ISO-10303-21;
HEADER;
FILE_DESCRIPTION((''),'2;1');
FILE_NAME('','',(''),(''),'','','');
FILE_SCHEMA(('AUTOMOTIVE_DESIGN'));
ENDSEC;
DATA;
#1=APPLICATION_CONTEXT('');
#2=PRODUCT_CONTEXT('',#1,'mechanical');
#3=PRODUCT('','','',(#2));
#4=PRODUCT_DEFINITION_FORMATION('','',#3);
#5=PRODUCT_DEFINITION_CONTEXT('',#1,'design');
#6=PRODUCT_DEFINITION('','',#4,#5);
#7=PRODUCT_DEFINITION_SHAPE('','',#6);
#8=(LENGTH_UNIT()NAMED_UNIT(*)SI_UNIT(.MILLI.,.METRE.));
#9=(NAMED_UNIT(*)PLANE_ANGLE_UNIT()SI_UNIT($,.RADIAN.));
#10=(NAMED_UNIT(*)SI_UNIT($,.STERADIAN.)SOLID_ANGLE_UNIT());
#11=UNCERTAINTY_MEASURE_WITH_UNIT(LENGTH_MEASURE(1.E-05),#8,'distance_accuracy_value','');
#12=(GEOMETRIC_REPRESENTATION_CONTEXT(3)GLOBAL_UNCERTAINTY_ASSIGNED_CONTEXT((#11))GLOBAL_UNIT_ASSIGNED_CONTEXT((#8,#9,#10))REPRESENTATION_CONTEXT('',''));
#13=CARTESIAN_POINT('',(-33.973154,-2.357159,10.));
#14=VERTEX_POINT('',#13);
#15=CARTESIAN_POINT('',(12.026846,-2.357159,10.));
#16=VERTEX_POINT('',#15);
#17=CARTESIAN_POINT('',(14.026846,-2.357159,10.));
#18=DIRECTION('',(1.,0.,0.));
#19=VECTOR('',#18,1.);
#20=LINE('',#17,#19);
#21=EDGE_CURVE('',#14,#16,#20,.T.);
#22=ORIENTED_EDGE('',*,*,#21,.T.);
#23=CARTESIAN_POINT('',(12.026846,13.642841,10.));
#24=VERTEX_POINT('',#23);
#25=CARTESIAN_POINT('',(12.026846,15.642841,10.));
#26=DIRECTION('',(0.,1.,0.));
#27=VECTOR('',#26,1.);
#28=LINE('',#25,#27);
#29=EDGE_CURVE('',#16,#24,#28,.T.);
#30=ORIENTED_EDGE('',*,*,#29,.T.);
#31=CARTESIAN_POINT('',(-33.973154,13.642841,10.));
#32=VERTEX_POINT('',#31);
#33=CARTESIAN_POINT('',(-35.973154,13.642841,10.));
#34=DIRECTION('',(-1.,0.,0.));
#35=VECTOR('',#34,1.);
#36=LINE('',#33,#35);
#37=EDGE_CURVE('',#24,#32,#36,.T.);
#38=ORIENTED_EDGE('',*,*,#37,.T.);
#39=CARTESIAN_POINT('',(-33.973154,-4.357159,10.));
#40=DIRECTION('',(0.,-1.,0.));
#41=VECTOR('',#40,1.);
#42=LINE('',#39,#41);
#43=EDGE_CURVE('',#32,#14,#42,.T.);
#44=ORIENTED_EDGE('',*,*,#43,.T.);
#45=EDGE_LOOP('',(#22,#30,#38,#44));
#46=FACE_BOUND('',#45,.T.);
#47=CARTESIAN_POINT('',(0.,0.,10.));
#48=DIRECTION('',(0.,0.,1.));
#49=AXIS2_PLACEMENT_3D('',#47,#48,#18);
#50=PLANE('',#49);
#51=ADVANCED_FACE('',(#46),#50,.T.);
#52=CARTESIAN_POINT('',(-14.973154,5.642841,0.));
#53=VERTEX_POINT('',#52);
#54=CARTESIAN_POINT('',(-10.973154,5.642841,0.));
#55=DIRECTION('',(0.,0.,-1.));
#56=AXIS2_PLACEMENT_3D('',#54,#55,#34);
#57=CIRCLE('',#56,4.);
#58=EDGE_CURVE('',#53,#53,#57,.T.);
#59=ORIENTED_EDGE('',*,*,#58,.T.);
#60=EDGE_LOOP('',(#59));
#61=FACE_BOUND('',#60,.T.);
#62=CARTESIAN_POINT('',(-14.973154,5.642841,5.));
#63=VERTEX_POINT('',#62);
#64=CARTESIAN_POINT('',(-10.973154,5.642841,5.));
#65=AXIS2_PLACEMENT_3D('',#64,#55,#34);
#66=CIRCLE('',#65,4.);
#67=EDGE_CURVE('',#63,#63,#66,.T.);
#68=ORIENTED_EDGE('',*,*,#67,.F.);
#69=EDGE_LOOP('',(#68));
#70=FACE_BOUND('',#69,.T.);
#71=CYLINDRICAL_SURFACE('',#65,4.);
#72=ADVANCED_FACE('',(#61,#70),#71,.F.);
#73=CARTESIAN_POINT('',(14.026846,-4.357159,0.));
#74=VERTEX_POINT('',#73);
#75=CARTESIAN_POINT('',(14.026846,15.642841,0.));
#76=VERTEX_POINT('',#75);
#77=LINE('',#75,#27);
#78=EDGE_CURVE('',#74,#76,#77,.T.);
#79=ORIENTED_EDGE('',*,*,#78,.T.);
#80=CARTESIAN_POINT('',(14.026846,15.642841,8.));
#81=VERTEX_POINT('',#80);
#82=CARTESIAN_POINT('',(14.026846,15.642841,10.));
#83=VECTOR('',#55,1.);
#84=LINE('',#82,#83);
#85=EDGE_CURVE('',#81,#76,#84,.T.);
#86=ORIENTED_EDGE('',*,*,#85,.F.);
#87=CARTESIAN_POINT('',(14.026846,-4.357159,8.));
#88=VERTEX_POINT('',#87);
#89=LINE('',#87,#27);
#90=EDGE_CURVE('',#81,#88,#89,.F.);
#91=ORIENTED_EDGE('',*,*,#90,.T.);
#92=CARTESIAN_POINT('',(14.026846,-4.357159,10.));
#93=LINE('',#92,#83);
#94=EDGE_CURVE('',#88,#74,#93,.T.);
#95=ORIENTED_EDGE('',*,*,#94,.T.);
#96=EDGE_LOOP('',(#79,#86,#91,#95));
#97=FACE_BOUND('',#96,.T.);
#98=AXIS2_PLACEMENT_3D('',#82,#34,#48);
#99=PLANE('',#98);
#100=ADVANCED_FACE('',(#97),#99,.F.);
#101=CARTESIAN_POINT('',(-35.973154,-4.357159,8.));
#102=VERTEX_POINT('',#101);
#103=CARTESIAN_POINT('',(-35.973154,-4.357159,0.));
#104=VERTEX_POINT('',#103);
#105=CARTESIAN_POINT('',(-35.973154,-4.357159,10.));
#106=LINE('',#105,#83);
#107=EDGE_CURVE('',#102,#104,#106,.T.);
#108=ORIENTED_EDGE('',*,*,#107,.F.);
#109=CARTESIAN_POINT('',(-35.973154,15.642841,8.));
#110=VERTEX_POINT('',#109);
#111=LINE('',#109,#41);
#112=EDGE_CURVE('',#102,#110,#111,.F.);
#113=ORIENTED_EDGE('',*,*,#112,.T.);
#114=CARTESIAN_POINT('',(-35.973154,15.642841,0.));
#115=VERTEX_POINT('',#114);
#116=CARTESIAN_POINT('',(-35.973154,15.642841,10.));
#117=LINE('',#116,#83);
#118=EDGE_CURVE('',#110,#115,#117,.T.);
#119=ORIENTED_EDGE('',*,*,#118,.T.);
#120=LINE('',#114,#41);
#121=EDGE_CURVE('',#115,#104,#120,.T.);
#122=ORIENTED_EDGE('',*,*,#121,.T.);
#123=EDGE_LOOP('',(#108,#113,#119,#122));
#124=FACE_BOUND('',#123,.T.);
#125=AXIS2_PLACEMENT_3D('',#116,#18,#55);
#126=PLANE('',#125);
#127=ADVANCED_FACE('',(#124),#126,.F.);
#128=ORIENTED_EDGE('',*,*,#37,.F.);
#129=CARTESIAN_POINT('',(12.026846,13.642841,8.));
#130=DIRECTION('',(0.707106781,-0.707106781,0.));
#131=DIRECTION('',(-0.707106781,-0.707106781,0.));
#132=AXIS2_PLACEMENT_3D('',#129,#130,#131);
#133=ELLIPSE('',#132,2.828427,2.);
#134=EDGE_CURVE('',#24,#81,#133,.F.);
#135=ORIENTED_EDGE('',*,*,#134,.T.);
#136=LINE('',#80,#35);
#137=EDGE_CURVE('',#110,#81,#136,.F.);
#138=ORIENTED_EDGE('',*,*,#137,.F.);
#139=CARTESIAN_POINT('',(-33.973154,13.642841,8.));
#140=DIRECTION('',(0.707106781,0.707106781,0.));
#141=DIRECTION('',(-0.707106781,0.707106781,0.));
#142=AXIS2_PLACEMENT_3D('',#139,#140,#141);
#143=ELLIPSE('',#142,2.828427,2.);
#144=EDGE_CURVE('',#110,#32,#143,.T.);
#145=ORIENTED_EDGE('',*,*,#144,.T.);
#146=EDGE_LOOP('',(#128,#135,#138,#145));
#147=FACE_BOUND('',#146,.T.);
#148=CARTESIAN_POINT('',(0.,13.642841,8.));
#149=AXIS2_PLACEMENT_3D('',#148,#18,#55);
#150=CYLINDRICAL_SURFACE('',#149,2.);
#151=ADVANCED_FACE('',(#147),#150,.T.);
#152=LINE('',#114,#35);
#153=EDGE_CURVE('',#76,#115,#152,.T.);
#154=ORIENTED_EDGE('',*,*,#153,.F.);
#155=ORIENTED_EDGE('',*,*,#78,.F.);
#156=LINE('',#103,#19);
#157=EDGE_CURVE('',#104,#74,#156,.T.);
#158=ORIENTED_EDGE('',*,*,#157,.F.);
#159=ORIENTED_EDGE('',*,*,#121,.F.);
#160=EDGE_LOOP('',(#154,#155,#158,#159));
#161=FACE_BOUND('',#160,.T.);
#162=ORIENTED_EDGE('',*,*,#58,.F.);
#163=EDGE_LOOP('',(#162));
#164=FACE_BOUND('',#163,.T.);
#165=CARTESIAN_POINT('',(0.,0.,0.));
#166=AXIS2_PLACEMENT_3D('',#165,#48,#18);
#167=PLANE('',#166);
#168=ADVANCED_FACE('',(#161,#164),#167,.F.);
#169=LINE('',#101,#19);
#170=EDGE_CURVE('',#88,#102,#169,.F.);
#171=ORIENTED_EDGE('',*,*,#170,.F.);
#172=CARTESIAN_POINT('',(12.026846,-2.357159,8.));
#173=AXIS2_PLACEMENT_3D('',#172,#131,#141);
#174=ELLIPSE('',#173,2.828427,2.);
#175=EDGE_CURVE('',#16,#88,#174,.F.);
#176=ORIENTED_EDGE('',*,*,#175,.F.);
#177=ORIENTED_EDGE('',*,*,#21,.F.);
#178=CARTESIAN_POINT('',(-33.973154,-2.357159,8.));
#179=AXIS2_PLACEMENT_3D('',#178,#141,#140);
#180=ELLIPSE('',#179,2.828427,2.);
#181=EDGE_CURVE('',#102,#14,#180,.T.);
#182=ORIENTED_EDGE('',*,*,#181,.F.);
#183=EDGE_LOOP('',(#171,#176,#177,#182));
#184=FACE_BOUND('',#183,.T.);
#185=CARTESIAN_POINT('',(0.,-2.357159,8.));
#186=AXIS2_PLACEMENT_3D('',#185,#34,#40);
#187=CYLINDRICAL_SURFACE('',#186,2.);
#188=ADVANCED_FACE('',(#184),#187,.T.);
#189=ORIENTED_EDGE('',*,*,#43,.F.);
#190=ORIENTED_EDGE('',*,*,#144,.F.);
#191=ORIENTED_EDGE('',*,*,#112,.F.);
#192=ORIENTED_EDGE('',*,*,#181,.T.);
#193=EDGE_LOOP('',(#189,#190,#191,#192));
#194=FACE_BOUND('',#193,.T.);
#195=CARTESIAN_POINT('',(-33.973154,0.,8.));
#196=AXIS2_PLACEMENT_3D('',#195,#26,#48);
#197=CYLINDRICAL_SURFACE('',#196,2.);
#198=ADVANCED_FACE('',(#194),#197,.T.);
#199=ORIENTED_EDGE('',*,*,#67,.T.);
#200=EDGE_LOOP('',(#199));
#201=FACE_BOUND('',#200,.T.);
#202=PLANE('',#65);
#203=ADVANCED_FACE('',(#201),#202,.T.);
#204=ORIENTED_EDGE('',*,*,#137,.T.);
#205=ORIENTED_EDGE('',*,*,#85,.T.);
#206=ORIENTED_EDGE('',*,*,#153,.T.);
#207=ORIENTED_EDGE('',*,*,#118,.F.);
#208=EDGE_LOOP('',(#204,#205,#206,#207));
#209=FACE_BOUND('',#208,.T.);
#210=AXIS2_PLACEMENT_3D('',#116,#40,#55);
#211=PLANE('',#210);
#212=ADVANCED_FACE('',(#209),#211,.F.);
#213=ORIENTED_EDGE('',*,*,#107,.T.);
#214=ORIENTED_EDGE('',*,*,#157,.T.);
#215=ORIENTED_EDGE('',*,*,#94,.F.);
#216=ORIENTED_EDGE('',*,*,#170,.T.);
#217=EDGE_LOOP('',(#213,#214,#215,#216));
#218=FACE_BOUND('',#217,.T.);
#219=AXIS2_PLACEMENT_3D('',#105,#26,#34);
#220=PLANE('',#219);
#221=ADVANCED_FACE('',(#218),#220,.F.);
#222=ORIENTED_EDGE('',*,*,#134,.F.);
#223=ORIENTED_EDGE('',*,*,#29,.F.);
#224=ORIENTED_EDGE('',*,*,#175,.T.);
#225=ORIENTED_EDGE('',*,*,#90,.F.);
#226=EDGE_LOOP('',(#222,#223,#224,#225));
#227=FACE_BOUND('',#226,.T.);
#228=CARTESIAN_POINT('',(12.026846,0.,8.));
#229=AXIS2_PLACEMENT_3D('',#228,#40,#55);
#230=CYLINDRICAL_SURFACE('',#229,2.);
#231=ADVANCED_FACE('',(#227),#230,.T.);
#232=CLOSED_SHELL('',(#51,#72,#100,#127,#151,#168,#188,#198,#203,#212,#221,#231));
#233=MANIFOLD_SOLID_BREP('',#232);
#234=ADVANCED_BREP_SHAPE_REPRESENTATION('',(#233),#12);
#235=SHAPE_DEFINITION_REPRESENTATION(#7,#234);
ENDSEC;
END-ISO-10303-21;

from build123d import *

# Parameters (mm, degrees)
SKETCH_1_W          = 50
SKETCH_1_H          = 20
EXTRUDE_1_DEPTH     = 10
FILLET_1_R          = 2
SKETCH_2_R          = 4
CUT_EXTRUDE_1_DEPTH = 5


with BuildPart() as part:
    # 草图1 → 凸台-拉伸1 (new body)
    with BuildSketch(Plane.XY):
        with Locations((-10.973154362, 5.642841264)):
            Rectangle(SKETCH_1_W, SKETCH_1_H)
    extrude(amount=EXTRUDE_1_DEPTH)

    # 圆角1
    fillet_1_edges = [part.edges().sort_by_distance(p)[0] for p in [
        (14.026845638, 5.642841264, 10),
        (-10.973154362, 15.642841264, 10),
        (-35.973154362, 5.642841264, 10),
        (-10.973154362, -4.357158736, 10),
    ]]
    fillet(fillet_1_edges, radius=FILLET_1_R)

    # 草图2 → 切除-拉伸1 (cut)
    with BuildSketch(Plane(origin=(0, 0, 0), x_dir=(-1, 0, 0), z_dir=(0, 0, -1))):
        with Locations((10.973154362, 5.642841264)):
            Circle(SKETCH_2_R)
    extrude(amount=-CUT_EXTRUDE_1_DEPTH, mode=Mode.SUBTRACT)


solid = part.part
